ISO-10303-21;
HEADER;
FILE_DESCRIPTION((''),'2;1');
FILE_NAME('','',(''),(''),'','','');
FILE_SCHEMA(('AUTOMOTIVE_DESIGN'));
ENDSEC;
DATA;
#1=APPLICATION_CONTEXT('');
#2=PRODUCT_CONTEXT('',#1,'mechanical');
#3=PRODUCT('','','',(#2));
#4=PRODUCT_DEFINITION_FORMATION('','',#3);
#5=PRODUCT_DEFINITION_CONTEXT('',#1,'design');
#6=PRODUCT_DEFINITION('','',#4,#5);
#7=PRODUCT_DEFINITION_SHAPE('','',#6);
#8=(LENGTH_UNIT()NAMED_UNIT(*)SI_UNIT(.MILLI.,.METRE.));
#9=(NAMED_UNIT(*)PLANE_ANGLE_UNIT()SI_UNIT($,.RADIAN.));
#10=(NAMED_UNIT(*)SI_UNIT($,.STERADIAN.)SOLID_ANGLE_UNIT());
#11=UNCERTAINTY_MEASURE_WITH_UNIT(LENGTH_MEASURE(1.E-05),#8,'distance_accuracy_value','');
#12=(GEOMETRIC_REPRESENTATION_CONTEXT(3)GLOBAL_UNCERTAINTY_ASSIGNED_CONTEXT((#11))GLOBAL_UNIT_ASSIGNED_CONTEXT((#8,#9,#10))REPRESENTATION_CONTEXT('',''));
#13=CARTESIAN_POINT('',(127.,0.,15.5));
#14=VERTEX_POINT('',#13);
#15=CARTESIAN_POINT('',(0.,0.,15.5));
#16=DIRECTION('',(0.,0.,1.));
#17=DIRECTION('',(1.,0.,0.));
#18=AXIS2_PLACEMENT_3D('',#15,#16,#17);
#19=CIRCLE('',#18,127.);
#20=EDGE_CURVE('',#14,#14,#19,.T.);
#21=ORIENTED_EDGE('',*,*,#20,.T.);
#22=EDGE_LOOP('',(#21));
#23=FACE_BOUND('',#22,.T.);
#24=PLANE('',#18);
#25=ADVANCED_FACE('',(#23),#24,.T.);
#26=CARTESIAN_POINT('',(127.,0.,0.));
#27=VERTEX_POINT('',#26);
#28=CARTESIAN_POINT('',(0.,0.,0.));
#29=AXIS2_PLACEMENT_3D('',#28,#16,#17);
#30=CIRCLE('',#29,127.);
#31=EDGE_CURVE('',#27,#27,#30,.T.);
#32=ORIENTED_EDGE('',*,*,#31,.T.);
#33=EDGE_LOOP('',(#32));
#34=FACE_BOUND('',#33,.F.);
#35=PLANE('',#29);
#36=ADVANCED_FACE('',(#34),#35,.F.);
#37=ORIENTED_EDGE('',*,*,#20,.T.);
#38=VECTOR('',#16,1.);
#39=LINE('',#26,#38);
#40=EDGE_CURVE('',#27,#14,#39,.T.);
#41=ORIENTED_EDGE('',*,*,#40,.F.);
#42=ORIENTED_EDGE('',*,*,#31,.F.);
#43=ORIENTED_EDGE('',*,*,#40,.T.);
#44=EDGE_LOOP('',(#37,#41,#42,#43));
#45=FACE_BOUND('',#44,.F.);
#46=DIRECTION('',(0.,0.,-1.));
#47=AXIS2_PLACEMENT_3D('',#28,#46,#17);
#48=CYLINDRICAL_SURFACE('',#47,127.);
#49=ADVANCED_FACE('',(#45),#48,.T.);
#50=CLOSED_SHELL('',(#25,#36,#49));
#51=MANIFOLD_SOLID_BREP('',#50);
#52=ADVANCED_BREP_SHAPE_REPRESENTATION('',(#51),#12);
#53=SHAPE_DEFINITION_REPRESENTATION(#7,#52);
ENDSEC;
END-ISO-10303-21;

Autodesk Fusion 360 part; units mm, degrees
sketch "Sketch1" plane through (0, 0, 0) normal (0, 0, 1) x (1, 0, 0)
  circle A0 centre (0, 0) radius 127
  dimension "d1" = 254
extrude "Extrude1" add sketch "Sketch1" along normal blind 15.5
sketch "Sketch2" plane through (0, 0, 15.5) normal (0, 0, 1) x (-1, 0, 0)
  circle A0 centre (0, 0) radius 127
  circle A1 centre (0, 0) radius 22.5
  line L0 (-32, 0) -> (-16, -27.7128) construction
  line L1 (-16, -27.7128) -> (16, -27.7128) construction
  line L2 (16, -27.7128) -> (32, 0) construction
  line L3 (32, 0) -> (16, 27.7128) construction
  line L4 (16, 27.7128) -> (-16, 27.7128) construction
  line L5 (-16, 27.7128) -> (-32, 0) construction
  circle A2 centre (0, 0) radius 110
  line L6 (-32, 0) -> (-110, 0)
  line L7 (32, 0) -> (110, 0)
  line L8 (-16, -27.7128) -> (-55, -95.2628)
  line L9 (16, -27.7128) -> (55, -95.2628)
  line L10 (-55, -95.2628) -> (-110, 0) construction
  line L11 (55, -95.2628) -> (110, 0) construction
  line L12 (-16, 27.7128) -> (-55, 95.2628)
  line L13 (16, 27.7128) -> (55, 95.2628)
  line L14 (55, 95.2628) -> (-55, 95.2628) construction
  line L15 (-110, 0) -> (-55, 95.2628) construction
  line L16 (-55, -95.2628) -> (55, -95.2628) construction
  circle A3 centre (0, 0) radius 32
  circle A4 centre (0, 0) radius 118.5
  dimension "d4" = 45
  dimension "d5" = 32
  dimension "d6" = 220
  dimension "d7" = 237
extrude "Extrude3" [suppressed]
